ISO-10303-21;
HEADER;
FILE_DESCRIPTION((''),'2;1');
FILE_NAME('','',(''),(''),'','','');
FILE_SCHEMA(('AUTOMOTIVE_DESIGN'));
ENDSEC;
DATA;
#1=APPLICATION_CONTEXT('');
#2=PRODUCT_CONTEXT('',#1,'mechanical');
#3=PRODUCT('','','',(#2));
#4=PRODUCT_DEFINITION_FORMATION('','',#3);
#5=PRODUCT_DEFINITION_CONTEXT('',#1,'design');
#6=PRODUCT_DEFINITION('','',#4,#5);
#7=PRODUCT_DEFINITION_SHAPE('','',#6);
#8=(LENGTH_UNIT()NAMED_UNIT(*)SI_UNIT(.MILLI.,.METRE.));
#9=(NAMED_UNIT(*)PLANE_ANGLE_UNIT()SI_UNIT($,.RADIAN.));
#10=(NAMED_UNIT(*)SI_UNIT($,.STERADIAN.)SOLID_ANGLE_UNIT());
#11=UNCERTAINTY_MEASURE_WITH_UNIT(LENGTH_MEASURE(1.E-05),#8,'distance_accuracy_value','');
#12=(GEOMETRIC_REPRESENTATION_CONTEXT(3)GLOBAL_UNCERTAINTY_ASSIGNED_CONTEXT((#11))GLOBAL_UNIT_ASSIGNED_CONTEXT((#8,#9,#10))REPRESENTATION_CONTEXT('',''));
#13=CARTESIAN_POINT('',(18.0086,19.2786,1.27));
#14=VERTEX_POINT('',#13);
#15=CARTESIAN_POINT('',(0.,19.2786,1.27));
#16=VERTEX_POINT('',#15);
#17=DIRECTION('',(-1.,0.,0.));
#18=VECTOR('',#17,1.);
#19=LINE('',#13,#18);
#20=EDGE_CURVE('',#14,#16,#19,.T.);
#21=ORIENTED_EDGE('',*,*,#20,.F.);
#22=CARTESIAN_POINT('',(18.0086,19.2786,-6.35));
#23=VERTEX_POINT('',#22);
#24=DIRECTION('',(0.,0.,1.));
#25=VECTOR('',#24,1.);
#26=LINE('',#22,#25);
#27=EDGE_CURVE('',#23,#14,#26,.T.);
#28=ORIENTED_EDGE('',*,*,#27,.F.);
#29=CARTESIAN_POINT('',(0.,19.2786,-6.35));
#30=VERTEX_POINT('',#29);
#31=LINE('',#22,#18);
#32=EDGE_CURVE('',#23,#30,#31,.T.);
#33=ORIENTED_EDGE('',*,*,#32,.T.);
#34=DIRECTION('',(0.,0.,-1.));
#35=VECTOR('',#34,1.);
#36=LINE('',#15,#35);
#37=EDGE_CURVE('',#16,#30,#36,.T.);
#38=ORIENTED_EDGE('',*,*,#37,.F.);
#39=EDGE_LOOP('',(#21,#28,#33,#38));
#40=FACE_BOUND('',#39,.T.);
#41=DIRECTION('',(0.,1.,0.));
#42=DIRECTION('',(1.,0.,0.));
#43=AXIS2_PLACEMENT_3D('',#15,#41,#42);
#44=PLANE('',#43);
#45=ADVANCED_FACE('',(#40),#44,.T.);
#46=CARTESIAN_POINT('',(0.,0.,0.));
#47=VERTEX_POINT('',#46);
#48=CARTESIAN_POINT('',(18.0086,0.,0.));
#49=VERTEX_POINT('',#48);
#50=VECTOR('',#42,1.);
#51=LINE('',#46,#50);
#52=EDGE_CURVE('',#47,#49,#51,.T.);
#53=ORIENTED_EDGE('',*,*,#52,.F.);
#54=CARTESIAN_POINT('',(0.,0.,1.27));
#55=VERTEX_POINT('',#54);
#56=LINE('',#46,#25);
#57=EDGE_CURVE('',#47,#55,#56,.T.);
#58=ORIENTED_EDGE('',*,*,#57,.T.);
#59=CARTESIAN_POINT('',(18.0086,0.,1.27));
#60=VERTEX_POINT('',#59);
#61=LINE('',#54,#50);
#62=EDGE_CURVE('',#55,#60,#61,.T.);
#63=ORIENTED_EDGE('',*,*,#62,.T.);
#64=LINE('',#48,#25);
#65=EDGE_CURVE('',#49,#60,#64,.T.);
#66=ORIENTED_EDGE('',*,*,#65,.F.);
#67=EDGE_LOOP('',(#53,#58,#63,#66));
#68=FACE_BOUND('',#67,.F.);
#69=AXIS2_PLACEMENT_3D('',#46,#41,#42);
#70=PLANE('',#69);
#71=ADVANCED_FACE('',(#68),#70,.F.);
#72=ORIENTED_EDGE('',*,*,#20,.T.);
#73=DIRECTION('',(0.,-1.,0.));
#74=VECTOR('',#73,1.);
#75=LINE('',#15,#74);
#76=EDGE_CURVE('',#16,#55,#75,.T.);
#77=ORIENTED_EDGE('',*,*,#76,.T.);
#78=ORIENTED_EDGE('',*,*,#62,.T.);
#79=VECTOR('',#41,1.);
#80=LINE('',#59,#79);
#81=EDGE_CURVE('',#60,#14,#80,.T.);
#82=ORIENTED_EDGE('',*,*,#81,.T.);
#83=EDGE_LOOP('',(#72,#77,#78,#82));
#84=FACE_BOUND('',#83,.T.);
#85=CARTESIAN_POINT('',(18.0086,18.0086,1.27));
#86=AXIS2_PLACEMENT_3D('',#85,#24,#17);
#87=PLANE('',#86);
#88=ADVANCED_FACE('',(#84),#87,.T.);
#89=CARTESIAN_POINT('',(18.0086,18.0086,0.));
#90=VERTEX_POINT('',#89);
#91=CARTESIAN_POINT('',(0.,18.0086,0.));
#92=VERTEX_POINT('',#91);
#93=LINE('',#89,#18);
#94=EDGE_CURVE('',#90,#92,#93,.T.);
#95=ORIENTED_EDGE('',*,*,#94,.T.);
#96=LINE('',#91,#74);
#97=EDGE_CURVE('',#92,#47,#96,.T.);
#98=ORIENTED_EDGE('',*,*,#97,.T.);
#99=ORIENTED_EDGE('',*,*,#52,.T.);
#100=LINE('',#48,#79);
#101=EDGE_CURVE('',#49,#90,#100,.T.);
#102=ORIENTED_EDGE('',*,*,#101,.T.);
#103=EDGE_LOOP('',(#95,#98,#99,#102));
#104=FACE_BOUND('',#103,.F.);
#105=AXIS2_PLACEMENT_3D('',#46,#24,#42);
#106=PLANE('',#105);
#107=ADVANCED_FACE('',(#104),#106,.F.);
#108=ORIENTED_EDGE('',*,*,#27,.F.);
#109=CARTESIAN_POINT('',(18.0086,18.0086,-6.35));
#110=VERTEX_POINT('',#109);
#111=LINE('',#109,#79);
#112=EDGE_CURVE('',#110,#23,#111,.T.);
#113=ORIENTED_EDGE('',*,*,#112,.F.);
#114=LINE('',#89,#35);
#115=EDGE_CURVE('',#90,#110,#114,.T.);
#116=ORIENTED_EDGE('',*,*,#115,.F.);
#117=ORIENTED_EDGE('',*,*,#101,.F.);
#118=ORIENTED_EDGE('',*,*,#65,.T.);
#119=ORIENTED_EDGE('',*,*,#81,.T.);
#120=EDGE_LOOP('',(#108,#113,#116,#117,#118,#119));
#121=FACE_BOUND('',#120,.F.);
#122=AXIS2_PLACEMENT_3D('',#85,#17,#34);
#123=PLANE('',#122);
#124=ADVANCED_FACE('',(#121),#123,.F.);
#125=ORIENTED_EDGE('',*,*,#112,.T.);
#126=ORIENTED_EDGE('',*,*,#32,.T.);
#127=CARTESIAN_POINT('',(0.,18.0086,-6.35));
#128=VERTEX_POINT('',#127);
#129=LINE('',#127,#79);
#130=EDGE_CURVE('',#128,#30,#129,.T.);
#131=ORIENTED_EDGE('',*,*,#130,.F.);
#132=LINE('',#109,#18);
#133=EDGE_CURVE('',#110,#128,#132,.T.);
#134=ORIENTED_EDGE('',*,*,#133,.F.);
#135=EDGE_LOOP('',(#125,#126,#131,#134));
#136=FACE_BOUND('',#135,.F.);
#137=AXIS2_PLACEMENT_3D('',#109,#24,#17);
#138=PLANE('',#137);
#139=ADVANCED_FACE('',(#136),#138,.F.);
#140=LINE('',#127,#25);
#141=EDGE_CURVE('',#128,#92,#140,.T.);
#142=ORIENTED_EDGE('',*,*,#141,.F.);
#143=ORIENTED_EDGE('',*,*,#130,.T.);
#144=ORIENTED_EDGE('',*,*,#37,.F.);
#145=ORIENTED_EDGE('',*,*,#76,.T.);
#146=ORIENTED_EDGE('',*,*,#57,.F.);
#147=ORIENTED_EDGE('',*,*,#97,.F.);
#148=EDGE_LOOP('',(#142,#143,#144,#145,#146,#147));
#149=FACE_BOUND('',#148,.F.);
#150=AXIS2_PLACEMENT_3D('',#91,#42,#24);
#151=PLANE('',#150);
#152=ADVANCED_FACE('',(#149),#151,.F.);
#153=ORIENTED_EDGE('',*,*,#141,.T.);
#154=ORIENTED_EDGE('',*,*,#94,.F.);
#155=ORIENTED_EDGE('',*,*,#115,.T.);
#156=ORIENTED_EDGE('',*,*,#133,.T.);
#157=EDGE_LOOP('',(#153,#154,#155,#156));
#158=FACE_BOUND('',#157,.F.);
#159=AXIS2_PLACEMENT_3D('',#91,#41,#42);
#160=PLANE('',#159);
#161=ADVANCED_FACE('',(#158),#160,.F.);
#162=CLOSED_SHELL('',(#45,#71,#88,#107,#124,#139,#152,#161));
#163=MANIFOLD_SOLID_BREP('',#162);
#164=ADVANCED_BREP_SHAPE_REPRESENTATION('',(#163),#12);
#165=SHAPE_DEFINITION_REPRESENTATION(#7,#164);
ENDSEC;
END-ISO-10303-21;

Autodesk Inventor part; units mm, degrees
ref_plane "YZ Plane" through (0, 0, 0) normal (1, 0, 0) x (0, 1, 0)
ref_plane "XZ Plane" through (0, 0, 0) normal (0, 1, 0) x (-1, 0, 0)
ref_plane "XY Plane" through (0, 0, 0) normal (0, 0, 1) x (1, 0, 0)
sketch "Sketch1" plane through (0, 0, 0) normal (0, 0, 1) x (1, 0, 0)
  line L0 (0, 0) -> (18.0086, 0)
  line L1 (18.0086, 0) -> (18.0086, 18.0086)
  line L2 (18.0086, 18.0086) -> (0, 18.0086)
  line L3 (0, 18.0086) -> (0, 0)
  dimension "d0" = 18.0086
  dimension "d1" = 18.0086
extrude "Extrusion1" add sketch "Sketch1" along normal blind 1.27
sketch "Sketch2" plane through (0, 18.0086, 0) normal (0, 1, 0) x (1, 0, 0)
  line L0 (0, 0) -> (18.0086, 0)
  line L1 (18.0086, 0) -> (18.0086, 6.35)
  line L2 (18.0086, 6.35) -> (0, 6.35)
  line L3 (0, 6.35) -> (0, 0)
  dimension "d4" = 6.35
extrude "Extrusion2" add sketch "Sketch2" along normal blind 1.27
sketch "Sketch3" plane through (0, 18.0086, 1.27) normal (0, 1, 0) x (1, 0, 0)
  line L0 (18.0086, 0) -> (0, 0) projected
  line L1 (0, 0) -> (18.0086, 0)
  line L2 (18.0086, 0) -> (18.0086, 1.27)
  line L3 (18.0086, 1.27) -> (0, 1.27)
  line L4 (0, 1.27) -> (0, 0)
  point P0 (0, 1.27)
extrude "Extrusion3" add sketch "Sketch3" along normal blind 1.27
properties part number "CapLiftHolder"
